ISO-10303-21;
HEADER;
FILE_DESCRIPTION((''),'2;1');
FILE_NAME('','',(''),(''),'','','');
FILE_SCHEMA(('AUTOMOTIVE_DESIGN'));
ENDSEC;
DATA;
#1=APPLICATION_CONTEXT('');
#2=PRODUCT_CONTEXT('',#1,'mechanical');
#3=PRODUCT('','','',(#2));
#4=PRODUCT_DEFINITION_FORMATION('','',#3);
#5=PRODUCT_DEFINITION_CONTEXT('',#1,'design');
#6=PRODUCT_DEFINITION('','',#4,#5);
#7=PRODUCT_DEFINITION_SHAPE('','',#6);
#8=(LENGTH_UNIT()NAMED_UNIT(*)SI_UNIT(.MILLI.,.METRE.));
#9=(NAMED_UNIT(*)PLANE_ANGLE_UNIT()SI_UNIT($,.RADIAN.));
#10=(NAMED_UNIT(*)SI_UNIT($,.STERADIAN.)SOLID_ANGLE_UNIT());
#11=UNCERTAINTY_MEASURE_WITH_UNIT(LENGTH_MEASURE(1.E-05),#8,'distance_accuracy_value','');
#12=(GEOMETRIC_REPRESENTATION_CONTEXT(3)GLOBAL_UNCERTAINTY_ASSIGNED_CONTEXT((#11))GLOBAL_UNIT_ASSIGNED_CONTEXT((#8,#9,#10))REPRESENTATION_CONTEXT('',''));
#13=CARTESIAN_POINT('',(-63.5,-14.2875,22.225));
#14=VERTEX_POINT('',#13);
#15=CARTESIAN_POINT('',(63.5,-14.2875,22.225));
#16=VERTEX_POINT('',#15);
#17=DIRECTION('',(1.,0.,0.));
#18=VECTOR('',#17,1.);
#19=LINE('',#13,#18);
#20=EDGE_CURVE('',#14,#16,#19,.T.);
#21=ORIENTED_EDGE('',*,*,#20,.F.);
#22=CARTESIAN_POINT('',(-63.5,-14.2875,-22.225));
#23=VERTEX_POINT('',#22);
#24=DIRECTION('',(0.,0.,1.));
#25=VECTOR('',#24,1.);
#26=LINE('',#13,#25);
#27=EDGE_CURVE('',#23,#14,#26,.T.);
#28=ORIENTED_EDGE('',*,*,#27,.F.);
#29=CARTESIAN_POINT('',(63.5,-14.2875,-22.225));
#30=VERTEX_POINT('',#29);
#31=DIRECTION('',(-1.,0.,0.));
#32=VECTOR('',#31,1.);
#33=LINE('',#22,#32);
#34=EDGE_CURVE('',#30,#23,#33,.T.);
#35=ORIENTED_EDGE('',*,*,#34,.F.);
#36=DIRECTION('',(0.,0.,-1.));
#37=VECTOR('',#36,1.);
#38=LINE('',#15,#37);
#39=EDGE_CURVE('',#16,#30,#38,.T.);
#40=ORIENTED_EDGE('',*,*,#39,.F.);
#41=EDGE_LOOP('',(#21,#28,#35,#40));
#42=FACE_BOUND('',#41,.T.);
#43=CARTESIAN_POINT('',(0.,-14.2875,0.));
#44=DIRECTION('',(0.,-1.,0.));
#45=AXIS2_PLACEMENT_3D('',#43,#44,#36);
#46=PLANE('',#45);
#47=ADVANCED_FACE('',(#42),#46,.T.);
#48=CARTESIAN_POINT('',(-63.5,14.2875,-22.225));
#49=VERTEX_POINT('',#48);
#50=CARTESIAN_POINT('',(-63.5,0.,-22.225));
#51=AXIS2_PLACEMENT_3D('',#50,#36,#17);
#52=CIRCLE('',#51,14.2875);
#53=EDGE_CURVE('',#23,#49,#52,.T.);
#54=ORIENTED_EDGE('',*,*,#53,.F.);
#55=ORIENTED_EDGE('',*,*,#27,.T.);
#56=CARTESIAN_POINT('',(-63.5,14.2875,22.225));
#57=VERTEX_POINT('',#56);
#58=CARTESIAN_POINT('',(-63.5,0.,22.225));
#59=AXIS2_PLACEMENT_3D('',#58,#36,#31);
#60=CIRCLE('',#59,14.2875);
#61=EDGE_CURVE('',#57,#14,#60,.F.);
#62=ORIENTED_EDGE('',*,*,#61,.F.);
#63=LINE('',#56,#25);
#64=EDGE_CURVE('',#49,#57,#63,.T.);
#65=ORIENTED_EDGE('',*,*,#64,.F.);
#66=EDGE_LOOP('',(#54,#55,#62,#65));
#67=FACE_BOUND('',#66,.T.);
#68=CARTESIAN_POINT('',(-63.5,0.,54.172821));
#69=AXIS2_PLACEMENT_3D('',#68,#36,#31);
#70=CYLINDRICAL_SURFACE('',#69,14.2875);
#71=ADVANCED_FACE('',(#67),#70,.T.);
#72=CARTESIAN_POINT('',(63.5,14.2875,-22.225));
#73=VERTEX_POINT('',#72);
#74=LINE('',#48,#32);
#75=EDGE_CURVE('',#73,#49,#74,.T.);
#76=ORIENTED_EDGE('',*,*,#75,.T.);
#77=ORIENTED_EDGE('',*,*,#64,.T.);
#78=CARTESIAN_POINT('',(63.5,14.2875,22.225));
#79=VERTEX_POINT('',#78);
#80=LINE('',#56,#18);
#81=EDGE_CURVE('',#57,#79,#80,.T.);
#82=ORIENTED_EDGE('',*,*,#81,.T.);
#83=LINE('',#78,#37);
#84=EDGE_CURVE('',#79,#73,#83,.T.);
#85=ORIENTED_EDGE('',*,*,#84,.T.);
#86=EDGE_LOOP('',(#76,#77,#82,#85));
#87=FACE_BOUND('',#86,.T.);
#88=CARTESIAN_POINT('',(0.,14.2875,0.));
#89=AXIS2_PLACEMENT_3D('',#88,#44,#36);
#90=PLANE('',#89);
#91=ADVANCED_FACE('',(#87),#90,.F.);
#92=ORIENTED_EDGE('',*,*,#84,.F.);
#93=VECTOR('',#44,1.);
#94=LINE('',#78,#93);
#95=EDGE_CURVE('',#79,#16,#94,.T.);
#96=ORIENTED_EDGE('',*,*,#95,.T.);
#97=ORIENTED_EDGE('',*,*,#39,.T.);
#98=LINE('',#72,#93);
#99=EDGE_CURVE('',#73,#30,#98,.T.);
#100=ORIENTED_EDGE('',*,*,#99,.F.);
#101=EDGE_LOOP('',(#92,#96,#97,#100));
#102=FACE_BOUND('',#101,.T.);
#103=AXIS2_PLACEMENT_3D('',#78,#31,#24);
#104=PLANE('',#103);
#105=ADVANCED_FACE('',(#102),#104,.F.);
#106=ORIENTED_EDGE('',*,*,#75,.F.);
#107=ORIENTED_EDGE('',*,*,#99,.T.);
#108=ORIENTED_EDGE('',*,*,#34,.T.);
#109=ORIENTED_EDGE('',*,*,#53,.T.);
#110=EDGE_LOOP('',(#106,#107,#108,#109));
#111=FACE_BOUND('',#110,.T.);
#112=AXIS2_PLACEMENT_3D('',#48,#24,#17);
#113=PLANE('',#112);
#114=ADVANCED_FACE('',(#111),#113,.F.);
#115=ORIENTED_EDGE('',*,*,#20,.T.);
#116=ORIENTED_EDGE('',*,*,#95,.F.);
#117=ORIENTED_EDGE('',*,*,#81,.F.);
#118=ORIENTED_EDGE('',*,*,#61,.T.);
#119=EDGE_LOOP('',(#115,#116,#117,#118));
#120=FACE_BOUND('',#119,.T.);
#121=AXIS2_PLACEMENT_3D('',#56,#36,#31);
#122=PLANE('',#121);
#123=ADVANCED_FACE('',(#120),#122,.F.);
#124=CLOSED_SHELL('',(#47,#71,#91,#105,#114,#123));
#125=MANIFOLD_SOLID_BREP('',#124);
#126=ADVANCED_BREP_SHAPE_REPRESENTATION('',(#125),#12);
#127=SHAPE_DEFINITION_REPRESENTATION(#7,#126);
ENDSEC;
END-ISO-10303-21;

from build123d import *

# Parameters (mm, degrees)
SKETCH1_W           = 127
SKETCH1_H           = 44.45
BOSS_EXTRUDE1_DEPTH = 14.2875
BOSS_EXTRUDE2_DEPTH = 44.45


with BuildPart() as part:
    # Sketch1 → Boss-Extrude1 (new body, symmetric)
    with BuildSketch(Plane(origin=(0, 0, 0), x_dir=(1, 0, 0), z_dir=(0, 1, 0))):
        Rectangle(SKETCH1_W, SKETCH1_H)
    extrude(amount=BOSS_EXTRUDE1_DEPTH, both=True)

    # Sketch2 → Boss-Extrude2 (add)
    with BuildSketch(Plane(origin=(0, 0, -22.225), x_dir=(-1, 0, 0), z_dir=(0, 0, -1))):
        with BuildLine():
            Line((63.5, -14.2875), (63.5, 14.2875))
            ThreePointArc((63.5, 14.2875), (77.7875, 0), (63.5, -14.2875))
        make_face()
    extrude(amount=-BOSS_EXTRUDE2_DEPTH)


solid = part.part
